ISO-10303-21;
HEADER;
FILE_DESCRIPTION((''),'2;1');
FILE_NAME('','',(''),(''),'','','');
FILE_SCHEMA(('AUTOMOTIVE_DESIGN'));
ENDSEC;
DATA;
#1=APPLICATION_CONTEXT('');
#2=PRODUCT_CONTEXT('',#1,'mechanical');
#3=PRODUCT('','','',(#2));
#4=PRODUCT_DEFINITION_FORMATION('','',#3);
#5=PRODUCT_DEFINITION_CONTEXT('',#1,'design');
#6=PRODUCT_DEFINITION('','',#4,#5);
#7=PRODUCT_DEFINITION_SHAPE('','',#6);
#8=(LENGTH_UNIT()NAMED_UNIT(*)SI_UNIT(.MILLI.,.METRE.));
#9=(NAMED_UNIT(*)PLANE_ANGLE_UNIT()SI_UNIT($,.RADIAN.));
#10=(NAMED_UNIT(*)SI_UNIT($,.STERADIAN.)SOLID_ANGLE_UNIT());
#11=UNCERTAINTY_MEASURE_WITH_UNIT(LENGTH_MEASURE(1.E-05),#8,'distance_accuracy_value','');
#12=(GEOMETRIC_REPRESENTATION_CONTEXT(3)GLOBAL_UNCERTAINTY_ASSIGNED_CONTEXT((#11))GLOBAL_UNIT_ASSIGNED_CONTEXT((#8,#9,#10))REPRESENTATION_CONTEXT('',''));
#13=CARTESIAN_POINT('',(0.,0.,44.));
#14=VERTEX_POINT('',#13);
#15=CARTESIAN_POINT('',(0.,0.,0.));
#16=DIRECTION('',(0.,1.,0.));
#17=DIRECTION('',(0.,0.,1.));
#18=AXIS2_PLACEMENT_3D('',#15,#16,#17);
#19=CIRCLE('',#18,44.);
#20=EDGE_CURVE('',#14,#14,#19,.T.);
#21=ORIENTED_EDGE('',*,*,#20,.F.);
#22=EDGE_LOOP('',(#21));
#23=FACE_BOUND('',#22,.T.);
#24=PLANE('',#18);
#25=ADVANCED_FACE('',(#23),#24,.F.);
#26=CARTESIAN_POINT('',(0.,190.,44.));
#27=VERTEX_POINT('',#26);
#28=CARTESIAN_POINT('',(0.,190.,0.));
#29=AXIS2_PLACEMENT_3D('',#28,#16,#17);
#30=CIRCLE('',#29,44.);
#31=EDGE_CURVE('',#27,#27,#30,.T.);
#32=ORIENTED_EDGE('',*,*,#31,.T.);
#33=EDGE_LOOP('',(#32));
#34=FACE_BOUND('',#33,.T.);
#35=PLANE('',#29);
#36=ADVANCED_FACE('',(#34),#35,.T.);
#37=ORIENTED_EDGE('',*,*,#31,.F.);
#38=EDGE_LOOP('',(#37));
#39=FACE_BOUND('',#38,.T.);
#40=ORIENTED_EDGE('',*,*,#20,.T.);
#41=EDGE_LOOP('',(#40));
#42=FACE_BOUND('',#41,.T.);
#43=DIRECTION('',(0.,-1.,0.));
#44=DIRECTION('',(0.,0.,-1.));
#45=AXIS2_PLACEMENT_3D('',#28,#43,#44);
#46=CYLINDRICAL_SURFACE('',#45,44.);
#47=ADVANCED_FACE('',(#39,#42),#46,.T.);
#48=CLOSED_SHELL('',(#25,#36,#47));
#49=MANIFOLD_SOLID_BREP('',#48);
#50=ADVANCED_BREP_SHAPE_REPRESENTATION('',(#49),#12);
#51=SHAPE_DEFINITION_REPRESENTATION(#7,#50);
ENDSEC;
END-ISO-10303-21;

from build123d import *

# Parameters (mm, degrees)
SKETCH1_R              = 44
KOLA1L_GOVDE_D88_DEPTH = 190


with BuildPart() as part:
    # Sketch1 → KOLA1L_govde_D88 (new body)
    with BuildSketch(Plane(origin=(0, 0, 0), x_dir=(1, 0, 0), z_dir=(0, 1, 0))):
        with Locations(Location((0, 0, 0), (0, 0, 270))):
            Circle(SKETCH1_R)
    extrude(amount=KOLA1L_GOVDE_D88_DEPTH)


solid = part.part
